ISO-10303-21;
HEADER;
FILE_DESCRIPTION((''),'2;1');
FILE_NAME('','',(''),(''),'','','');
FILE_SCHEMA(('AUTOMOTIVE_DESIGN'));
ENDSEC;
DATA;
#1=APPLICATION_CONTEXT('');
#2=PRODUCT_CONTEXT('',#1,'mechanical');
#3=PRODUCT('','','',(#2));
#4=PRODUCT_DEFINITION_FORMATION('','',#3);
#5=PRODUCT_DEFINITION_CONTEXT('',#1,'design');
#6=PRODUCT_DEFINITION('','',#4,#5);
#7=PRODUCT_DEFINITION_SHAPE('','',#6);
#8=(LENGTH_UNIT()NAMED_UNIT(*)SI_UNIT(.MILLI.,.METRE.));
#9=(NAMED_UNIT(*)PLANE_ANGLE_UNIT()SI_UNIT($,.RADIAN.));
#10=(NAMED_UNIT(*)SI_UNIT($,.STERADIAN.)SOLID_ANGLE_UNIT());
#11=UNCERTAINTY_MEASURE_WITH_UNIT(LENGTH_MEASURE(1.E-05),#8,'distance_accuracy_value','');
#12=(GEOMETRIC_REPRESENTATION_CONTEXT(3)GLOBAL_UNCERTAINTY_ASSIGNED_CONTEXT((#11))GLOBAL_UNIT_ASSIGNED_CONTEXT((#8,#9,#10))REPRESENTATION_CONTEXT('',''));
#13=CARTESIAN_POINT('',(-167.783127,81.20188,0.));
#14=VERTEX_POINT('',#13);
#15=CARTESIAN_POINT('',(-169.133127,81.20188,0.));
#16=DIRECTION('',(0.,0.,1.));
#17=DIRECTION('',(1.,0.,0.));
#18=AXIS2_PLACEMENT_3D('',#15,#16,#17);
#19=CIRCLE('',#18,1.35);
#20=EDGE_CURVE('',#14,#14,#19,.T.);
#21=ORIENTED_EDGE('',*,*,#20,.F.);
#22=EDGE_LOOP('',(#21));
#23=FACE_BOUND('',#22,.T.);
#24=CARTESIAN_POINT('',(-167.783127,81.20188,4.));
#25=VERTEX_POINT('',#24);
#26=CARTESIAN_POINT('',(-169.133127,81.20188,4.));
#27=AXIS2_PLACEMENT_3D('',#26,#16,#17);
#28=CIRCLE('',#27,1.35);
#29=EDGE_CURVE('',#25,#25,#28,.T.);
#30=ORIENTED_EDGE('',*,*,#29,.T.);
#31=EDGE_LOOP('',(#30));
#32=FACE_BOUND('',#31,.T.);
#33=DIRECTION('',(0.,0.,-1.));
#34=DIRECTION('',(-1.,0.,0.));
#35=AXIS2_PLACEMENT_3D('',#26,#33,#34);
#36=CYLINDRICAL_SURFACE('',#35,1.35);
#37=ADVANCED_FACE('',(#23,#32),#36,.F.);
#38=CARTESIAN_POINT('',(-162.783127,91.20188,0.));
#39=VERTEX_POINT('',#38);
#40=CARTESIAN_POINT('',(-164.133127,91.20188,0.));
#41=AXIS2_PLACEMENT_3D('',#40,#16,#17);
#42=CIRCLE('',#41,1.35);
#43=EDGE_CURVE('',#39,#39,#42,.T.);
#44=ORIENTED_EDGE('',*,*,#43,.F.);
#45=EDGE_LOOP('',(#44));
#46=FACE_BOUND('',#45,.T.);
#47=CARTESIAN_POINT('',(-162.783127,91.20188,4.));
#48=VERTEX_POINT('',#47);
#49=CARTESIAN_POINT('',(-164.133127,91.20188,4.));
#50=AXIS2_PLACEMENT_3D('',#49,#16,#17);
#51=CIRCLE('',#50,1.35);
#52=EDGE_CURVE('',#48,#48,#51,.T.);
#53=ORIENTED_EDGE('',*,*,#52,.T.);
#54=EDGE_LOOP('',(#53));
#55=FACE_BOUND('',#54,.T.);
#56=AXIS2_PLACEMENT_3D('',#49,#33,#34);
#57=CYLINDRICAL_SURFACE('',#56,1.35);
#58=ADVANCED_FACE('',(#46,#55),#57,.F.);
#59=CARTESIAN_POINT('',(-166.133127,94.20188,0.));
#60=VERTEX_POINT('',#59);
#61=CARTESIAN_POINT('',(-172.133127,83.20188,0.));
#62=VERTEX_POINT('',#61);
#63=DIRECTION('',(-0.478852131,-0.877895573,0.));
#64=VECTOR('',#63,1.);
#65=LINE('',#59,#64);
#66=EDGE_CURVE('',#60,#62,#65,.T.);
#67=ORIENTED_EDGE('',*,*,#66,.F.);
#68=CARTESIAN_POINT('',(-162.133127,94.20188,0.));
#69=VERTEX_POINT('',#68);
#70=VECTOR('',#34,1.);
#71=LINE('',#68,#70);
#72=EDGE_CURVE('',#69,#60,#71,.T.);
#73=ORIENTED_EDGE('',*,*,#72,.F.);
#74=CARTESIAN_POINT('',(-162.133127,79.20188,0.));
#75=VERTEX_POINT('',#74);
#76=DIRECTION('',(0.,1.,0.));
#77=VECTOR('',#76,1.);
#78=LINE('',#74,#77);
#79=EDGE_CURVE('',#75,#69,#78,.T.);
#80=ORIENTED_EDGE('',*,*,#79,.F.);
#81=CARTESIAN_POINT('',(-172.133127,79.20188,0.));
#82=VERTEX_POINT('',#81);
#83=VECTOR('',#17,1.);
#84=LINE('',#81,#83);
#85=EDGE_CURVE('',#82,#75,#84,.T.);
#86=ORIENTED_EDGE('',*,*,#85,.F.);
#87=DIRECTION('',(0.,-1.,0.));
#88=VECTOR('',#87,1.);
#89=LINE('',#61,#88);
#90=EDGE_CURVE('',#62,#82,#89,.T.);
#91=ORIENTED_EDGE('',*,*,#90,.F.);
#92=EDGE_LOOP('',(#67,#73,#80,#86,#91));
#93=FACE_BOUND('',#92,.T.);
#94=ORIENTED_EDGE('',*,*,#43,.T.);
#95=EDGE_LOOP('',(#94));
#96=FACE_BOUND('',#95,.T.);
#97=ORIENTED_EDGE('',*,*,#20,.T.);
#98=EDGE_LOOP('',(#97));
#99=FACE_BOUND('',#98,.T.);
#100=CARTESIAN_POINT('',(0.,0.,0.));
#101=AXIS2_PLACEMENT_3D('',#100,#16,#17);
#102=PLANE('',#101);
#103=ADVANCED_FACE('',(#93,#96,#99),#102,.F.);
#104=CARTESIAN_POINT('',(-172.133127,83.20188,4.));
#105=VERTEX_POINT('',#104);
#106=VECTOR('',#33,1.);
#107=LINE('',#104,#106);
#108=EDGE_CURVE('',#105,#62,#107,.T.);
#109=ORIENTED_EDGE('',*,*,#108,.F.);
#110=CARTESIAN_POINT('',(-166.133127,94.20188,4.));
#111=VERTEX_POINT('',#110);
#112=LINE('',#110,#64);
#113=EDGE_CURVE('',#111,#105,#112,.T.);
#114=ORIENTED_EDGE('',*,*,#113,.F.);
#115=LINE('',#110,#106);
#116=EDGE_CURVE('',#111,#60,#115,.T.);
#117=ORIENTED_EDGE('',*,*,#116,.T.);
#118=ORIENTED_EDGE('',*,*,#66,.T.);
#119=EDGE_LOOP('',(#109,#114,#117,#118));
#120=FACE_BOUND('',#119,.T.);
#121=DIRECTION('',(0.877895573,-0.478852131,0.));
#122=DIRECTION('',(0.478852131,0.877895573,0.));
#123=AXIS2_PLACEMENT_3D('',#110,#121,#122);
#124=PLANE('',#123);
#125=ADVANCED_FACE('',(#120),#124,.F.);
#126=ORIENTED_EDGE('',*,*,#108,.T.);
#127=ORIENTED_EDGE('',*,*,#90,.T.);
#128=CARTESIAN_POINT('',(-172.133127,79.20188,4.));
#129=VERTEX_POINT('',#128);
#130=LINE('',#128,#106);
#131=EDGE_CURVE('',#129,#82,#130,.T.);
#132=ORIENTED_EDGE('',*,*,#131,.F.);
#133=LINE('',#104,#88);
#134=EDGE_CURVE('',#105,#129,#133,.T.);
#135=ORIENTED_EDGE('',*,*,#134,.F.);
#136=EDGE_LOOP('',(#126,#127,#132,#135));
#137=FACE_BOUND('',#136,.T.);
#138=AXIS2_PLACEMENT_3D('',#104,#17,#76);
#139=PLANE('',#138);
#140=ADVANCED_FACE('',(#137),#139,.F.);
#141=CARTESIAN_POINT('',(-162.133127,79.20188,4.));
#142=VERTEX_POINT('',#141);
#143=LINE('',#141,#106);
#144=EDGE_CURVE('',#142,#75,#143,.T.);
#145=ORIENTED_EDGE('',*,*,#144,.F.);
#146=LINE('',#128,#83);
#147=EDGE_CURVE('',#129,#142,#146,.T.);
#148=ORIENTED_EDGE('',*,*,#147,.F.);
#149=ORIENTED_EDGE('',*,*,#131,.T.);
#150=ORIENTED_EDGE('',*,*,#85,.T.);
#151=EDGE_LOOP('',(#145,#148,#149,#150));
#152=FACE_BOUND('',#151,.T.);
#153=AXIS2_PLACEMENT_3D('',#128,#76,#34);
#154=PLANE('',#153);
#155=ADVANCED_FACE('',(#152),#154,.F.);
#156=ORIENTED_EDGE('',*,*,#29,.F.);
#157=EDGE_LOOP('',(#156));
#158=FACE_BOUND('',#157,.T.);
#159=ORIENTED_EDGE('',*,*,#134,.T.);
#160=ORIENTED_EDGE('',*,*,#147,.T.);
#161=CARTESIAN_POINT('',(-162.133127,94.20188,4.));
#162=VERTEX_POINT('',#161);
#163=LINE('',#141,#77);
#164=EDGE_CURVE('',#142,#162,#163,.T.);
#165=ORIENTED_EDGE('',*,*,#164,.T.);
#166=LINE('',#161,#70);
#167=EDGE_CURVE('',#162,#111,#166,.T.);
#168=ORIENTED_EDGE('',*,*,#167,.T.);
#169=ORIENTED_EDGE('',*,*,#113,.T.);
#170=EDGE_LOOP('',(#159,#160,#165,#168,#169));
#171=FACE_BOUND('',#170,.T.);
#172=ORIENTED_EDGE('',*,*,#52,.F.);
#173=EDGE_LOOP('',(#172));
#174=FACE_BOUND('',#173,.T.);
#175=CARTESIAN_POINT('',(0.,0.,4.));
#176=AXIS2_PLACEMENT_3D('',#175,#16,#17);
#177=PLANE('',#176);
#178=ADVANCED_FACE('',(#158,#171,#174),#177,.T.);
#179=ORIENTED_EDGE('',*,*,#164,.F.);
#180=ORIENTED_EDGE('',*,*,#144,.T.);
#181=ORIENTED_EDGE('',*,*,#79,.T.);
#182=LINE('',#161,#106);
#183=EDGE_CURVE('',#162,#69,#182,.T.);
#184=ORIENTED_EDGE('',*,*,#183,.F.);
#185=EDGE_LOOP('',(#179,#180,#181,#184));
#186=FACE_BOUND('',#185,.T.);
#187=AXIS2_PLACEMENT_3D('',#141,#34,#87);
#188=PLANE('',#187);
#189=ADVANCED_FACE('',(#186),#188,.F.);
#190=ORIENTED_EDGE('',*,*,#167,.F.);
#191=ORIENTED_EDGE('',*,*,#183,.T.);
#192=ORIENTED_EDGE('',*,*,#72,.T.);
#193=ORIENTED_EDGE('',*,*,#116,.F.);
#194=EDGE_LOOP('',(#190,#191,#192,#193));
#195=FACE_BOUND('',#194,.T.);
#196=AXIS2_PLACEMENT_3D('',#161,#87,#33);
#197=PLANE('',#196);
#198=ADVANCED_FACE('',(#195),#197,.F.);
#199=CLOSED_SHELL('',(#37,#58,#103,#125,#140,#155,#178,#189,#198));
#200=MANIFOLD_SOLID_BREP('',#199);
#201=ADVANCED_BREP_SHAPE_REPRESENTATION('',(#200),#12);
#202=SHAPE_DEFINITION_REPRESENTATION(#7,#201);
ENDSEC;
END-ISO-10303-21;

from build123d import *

# Parameters (mm, degrees)
CROQUIS1_R              = 1.35
SALIENTE_EXTRUIR1_DEPTH = 4


with BuildPart() as part:
    # Croquis1 → Saliente-Extruir1 (new body)
    with BuildSketch(Plane.XY):
        Polygon((-172.13312749, 79.201879567), (-162.13312749, 79.201879567), (-162.13312749, 94.201879567), (-166.13312749, 94.201879567), (-172.13312749, 83.201879567), align=None)
        with Locations((-169.13312749, 81.201879567)):
            Circle(CROQUIS1_R, mode=Mode.SUBTRACT)
        with Locations((-164.13312749, 91.201879567)):
            Circle(CROQUIS1_R, mode=Mode.SUBTRACT)
    extrude(amount=SALIENTE_EXTRUIR1_DEPTH)


solid = part.part
